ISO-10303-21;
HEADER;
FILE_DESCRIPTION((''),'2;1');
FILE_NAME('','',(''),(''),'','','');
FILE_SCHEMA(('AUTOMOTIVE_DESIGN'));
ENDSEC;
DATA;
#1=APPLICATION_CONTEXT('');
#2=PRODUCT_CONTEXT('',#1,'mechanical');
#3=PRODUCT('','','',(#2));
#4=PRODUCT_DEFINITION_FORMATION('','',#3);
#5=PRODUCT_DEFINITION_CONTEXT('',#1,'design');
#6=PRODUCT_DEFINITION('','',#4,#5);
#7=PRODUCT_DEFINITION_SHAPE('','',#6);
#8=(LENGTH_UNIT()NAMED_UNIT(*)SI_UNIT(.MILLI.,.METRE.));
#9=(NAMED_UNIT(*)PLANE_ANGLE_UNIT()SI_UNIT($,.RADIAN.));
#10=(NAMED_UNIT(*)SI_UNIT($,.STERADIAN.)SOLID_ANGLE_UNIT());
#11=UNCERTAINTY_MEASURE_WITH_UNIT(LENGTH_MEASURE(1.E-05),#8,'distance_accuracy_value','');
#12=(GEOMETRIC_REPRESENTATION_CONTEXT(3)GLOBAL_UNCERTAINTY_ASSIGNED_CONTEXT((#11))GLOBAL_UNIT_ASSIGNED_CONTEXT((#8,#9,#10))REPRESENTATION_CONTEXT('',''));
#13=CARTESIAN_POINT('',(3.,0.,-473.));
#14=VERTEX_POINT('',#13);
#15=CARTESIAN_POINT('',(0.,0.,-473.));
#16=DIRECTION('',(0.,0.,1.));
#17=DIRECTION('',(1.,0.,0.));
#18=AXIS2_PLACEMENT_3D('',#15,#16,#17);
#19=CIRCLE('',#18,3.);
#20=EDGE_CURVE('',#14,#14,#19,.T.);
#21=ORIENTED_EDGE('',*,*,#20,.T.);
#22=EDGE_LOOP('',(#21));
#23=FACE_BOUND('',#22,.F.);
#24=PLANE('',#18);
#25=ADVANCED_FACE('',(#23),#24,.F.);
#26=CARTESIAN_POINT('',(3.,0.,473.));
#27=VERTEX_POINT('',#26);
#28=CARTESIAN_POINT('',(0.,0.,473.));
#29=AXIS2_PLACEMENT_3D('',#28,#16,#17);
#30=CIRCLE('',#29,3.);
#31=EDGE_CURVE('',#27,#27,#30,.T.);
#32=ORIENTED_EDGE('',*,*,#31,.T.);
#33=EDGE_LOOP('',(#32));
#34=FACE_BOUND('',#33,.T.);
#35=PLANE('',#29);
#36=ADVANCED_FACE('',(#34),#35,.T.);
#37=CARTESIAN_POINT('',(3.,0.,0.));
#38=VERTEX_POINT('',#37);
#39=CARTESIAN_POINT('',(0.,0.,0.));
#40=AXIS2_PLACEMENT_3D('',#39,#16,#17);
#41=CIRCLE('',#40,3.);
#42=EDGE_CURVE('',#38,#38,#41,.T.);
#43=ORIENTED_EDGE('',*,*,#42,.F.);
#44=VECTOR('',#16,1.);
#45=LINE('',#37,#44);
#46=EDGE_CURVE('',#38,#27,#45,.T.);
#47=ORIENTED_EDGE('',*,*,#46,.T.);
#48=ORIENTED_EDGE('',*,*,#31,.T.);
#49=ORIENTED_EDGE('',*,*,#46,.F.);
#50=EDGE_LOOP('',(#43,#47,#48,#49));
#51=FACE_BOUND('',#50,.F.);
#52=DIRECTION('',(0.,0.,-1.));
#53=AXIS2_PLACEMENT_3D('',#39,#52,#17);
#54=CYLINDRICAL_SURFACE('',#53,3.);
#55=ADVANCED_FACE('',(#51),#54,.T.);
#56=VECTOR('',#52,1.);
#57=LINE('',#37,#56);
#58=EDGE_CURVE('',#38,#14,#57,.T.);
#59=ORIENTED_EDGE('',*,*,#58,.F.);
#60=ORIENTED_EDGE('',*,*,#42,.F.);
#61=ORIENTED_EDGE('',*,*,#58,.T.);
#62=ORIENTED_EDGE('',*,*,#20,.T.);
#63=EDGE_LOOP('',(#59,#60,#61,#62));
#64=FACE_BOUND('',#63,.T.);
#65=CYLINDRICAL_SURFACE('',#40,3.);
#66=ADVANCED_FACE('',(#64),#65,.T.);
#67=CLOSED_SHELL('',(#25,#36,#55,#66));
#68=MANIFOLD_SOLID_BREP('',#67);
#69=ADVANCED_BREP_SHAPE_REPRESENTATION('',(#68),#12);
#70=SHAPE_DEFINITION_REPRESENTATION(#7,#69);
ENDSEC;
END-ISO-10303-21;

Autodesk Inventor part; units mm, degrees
ref_plane "YZ Plane" through (0, 0, 0) normal (1, 0, 0) x (0, 1, 0)
ref_plane "XZ Plane" through (0, 0, 0) normal (0, 1, 0) x (-1, 0, 0)
ref_plane "XY Plane" through (0, 0, 0) normal (0, 0, 1) x (1, 0, 0)
sketch "スケッチ1" plane through (0, 0, 0) normal (0, 0, 1) x (1, 0, 0)
  circle A0 centre (0, 0) radius 3
  dimension "d0" = 6
extrude "押し出し1" add sketch "スケッチ1" along normal mid plane 946
properties part number "axis2" material "木材 (オーク)"
